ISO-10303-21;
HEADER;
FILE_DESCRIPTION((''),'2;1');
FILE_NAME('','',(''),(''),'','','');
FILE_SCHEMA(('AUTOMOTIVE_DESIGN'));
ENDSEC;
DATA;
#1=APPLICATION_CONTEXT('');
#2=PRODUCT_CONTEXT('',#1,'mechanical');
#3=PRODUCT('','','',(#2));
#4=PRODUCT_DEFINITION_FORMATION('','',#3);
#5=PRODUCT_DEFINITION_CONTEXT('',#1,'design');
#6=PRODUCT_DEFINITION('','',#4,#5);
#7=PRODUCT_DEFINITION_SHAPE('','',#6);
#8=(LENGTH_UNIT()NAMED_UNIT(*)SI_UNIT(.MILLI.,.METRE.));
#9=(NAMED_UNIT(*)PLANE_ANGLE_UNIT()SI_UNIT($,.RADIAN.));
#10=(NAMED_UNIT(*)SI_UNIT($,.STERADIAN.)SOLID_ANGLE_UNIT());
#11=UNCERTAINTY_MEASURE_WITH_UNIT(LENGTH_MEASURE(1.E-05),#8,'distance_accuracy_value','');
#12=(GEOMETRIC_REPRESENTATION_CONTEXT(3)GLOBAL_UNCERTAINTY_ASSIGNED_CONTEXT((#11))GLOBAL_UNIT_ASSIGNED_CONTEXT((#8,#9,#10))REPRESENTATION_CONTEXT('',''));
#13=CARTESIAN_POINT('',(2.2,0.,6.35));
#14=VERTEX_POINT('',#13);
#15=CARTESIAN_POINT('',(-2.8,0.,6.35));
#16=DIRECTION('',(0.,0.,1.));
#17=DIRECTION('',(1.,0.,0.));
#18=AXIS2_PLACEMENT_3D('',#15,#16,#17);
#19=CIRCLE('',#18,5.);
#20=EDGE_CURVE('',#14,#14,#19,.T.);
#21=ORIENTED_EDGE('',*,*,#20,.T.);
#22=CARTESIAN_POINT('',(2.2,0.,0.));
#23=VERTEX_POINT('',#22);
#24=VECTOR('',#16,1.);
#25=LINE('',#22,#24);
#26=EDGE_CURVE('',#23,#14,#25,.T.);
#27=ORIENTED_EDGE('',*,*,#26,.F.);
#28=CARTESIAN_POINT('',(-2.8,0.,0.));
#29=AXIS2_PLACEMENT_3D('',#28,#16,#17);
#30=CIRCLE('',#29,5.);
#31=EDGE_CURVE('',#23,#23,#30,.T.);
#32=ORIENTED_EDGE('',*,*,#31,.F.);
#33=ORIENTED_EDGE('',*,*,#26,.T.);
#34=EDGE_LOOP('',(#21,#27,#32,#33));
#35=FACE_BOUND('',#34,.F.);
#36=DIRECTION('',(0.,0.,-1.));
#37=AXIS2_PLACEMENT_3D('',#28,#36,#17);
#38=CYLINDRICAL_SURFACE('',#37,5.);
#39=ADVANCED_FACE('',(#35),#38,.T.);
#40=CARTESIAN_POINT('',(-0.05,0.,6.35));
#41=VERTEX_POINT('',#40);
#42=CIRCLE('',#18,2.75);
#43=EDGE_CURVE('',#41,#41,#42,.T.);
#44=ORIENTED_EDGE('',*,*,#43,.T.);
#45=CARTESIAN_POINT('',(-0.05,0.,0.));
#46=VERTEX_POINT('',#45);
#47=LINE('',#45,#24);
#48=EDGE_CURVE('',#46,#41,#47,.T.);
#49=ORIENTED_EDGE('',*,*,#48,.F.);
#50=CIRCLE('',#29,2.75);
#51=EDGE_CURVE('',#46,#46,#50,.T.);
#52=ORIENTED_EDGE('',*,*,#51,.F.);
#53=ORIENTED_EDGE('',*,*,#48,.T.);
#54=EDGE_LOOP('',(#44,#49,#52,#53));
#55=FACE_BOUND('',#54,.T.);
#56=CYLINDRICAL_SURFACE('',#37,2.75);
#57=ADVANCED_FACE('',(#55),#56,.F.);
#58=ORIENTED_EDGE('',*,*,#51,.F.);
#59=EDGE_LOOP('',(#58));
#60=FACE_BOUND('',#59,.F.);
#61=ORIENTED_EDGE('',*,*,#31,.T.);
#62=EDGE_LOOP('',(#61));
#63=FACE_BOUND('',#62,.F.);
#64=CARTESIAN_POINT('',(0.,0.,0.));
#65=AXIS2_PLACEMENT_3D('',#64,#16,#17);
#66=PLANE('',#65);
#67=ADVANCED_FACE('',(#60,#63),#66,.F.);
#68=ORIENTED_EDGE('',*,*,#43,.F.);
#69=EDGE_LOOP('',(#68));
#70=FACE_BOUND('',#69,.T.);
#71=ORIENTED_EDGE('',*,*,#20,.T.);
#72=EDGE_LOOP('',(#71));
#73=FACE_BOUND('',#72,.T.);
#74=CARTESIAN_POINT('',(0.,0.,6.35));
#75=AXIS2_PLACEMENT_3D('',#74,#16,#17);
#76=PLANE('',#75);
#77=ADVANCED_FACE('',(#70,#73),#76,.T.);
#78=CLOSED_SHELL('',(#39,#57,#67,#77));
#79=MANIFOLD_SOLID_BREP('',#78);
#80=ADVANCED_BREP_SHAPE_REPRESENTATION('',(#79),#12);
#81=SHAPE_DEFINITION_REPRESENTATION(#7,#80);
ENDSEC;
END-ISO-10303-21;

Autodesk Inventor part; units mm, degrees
ref_plane "YZ Plane" through (0, 0, 0) normal (1, 0, 0) x (0, 1, 0)
ref_plane "XZ Plane" through (0, 0, 0) normal (0, 1, 0) x (-1, 0, 0)
ref_plane "XY Plane" through (0, 0, 0) normal (0, 0, 1) x (1, 0, 0)
sketch "Sketch1" plane through (0, 0, 0) normal (0, 0, 1) x (1, 0, 0)
  circle A0 centre (-2.8, 0) radius 2.75
  circle A1 centre (-2.8, 0) radius 5
  point P0 (0, 0)
  dimension "d0" = 5.5
  dimension "d1" = 10
extrude "Extrusion1" add sketch "Sketch1" along normal blind 6.35
properties part number "Small-Aluminium-Spacer"
